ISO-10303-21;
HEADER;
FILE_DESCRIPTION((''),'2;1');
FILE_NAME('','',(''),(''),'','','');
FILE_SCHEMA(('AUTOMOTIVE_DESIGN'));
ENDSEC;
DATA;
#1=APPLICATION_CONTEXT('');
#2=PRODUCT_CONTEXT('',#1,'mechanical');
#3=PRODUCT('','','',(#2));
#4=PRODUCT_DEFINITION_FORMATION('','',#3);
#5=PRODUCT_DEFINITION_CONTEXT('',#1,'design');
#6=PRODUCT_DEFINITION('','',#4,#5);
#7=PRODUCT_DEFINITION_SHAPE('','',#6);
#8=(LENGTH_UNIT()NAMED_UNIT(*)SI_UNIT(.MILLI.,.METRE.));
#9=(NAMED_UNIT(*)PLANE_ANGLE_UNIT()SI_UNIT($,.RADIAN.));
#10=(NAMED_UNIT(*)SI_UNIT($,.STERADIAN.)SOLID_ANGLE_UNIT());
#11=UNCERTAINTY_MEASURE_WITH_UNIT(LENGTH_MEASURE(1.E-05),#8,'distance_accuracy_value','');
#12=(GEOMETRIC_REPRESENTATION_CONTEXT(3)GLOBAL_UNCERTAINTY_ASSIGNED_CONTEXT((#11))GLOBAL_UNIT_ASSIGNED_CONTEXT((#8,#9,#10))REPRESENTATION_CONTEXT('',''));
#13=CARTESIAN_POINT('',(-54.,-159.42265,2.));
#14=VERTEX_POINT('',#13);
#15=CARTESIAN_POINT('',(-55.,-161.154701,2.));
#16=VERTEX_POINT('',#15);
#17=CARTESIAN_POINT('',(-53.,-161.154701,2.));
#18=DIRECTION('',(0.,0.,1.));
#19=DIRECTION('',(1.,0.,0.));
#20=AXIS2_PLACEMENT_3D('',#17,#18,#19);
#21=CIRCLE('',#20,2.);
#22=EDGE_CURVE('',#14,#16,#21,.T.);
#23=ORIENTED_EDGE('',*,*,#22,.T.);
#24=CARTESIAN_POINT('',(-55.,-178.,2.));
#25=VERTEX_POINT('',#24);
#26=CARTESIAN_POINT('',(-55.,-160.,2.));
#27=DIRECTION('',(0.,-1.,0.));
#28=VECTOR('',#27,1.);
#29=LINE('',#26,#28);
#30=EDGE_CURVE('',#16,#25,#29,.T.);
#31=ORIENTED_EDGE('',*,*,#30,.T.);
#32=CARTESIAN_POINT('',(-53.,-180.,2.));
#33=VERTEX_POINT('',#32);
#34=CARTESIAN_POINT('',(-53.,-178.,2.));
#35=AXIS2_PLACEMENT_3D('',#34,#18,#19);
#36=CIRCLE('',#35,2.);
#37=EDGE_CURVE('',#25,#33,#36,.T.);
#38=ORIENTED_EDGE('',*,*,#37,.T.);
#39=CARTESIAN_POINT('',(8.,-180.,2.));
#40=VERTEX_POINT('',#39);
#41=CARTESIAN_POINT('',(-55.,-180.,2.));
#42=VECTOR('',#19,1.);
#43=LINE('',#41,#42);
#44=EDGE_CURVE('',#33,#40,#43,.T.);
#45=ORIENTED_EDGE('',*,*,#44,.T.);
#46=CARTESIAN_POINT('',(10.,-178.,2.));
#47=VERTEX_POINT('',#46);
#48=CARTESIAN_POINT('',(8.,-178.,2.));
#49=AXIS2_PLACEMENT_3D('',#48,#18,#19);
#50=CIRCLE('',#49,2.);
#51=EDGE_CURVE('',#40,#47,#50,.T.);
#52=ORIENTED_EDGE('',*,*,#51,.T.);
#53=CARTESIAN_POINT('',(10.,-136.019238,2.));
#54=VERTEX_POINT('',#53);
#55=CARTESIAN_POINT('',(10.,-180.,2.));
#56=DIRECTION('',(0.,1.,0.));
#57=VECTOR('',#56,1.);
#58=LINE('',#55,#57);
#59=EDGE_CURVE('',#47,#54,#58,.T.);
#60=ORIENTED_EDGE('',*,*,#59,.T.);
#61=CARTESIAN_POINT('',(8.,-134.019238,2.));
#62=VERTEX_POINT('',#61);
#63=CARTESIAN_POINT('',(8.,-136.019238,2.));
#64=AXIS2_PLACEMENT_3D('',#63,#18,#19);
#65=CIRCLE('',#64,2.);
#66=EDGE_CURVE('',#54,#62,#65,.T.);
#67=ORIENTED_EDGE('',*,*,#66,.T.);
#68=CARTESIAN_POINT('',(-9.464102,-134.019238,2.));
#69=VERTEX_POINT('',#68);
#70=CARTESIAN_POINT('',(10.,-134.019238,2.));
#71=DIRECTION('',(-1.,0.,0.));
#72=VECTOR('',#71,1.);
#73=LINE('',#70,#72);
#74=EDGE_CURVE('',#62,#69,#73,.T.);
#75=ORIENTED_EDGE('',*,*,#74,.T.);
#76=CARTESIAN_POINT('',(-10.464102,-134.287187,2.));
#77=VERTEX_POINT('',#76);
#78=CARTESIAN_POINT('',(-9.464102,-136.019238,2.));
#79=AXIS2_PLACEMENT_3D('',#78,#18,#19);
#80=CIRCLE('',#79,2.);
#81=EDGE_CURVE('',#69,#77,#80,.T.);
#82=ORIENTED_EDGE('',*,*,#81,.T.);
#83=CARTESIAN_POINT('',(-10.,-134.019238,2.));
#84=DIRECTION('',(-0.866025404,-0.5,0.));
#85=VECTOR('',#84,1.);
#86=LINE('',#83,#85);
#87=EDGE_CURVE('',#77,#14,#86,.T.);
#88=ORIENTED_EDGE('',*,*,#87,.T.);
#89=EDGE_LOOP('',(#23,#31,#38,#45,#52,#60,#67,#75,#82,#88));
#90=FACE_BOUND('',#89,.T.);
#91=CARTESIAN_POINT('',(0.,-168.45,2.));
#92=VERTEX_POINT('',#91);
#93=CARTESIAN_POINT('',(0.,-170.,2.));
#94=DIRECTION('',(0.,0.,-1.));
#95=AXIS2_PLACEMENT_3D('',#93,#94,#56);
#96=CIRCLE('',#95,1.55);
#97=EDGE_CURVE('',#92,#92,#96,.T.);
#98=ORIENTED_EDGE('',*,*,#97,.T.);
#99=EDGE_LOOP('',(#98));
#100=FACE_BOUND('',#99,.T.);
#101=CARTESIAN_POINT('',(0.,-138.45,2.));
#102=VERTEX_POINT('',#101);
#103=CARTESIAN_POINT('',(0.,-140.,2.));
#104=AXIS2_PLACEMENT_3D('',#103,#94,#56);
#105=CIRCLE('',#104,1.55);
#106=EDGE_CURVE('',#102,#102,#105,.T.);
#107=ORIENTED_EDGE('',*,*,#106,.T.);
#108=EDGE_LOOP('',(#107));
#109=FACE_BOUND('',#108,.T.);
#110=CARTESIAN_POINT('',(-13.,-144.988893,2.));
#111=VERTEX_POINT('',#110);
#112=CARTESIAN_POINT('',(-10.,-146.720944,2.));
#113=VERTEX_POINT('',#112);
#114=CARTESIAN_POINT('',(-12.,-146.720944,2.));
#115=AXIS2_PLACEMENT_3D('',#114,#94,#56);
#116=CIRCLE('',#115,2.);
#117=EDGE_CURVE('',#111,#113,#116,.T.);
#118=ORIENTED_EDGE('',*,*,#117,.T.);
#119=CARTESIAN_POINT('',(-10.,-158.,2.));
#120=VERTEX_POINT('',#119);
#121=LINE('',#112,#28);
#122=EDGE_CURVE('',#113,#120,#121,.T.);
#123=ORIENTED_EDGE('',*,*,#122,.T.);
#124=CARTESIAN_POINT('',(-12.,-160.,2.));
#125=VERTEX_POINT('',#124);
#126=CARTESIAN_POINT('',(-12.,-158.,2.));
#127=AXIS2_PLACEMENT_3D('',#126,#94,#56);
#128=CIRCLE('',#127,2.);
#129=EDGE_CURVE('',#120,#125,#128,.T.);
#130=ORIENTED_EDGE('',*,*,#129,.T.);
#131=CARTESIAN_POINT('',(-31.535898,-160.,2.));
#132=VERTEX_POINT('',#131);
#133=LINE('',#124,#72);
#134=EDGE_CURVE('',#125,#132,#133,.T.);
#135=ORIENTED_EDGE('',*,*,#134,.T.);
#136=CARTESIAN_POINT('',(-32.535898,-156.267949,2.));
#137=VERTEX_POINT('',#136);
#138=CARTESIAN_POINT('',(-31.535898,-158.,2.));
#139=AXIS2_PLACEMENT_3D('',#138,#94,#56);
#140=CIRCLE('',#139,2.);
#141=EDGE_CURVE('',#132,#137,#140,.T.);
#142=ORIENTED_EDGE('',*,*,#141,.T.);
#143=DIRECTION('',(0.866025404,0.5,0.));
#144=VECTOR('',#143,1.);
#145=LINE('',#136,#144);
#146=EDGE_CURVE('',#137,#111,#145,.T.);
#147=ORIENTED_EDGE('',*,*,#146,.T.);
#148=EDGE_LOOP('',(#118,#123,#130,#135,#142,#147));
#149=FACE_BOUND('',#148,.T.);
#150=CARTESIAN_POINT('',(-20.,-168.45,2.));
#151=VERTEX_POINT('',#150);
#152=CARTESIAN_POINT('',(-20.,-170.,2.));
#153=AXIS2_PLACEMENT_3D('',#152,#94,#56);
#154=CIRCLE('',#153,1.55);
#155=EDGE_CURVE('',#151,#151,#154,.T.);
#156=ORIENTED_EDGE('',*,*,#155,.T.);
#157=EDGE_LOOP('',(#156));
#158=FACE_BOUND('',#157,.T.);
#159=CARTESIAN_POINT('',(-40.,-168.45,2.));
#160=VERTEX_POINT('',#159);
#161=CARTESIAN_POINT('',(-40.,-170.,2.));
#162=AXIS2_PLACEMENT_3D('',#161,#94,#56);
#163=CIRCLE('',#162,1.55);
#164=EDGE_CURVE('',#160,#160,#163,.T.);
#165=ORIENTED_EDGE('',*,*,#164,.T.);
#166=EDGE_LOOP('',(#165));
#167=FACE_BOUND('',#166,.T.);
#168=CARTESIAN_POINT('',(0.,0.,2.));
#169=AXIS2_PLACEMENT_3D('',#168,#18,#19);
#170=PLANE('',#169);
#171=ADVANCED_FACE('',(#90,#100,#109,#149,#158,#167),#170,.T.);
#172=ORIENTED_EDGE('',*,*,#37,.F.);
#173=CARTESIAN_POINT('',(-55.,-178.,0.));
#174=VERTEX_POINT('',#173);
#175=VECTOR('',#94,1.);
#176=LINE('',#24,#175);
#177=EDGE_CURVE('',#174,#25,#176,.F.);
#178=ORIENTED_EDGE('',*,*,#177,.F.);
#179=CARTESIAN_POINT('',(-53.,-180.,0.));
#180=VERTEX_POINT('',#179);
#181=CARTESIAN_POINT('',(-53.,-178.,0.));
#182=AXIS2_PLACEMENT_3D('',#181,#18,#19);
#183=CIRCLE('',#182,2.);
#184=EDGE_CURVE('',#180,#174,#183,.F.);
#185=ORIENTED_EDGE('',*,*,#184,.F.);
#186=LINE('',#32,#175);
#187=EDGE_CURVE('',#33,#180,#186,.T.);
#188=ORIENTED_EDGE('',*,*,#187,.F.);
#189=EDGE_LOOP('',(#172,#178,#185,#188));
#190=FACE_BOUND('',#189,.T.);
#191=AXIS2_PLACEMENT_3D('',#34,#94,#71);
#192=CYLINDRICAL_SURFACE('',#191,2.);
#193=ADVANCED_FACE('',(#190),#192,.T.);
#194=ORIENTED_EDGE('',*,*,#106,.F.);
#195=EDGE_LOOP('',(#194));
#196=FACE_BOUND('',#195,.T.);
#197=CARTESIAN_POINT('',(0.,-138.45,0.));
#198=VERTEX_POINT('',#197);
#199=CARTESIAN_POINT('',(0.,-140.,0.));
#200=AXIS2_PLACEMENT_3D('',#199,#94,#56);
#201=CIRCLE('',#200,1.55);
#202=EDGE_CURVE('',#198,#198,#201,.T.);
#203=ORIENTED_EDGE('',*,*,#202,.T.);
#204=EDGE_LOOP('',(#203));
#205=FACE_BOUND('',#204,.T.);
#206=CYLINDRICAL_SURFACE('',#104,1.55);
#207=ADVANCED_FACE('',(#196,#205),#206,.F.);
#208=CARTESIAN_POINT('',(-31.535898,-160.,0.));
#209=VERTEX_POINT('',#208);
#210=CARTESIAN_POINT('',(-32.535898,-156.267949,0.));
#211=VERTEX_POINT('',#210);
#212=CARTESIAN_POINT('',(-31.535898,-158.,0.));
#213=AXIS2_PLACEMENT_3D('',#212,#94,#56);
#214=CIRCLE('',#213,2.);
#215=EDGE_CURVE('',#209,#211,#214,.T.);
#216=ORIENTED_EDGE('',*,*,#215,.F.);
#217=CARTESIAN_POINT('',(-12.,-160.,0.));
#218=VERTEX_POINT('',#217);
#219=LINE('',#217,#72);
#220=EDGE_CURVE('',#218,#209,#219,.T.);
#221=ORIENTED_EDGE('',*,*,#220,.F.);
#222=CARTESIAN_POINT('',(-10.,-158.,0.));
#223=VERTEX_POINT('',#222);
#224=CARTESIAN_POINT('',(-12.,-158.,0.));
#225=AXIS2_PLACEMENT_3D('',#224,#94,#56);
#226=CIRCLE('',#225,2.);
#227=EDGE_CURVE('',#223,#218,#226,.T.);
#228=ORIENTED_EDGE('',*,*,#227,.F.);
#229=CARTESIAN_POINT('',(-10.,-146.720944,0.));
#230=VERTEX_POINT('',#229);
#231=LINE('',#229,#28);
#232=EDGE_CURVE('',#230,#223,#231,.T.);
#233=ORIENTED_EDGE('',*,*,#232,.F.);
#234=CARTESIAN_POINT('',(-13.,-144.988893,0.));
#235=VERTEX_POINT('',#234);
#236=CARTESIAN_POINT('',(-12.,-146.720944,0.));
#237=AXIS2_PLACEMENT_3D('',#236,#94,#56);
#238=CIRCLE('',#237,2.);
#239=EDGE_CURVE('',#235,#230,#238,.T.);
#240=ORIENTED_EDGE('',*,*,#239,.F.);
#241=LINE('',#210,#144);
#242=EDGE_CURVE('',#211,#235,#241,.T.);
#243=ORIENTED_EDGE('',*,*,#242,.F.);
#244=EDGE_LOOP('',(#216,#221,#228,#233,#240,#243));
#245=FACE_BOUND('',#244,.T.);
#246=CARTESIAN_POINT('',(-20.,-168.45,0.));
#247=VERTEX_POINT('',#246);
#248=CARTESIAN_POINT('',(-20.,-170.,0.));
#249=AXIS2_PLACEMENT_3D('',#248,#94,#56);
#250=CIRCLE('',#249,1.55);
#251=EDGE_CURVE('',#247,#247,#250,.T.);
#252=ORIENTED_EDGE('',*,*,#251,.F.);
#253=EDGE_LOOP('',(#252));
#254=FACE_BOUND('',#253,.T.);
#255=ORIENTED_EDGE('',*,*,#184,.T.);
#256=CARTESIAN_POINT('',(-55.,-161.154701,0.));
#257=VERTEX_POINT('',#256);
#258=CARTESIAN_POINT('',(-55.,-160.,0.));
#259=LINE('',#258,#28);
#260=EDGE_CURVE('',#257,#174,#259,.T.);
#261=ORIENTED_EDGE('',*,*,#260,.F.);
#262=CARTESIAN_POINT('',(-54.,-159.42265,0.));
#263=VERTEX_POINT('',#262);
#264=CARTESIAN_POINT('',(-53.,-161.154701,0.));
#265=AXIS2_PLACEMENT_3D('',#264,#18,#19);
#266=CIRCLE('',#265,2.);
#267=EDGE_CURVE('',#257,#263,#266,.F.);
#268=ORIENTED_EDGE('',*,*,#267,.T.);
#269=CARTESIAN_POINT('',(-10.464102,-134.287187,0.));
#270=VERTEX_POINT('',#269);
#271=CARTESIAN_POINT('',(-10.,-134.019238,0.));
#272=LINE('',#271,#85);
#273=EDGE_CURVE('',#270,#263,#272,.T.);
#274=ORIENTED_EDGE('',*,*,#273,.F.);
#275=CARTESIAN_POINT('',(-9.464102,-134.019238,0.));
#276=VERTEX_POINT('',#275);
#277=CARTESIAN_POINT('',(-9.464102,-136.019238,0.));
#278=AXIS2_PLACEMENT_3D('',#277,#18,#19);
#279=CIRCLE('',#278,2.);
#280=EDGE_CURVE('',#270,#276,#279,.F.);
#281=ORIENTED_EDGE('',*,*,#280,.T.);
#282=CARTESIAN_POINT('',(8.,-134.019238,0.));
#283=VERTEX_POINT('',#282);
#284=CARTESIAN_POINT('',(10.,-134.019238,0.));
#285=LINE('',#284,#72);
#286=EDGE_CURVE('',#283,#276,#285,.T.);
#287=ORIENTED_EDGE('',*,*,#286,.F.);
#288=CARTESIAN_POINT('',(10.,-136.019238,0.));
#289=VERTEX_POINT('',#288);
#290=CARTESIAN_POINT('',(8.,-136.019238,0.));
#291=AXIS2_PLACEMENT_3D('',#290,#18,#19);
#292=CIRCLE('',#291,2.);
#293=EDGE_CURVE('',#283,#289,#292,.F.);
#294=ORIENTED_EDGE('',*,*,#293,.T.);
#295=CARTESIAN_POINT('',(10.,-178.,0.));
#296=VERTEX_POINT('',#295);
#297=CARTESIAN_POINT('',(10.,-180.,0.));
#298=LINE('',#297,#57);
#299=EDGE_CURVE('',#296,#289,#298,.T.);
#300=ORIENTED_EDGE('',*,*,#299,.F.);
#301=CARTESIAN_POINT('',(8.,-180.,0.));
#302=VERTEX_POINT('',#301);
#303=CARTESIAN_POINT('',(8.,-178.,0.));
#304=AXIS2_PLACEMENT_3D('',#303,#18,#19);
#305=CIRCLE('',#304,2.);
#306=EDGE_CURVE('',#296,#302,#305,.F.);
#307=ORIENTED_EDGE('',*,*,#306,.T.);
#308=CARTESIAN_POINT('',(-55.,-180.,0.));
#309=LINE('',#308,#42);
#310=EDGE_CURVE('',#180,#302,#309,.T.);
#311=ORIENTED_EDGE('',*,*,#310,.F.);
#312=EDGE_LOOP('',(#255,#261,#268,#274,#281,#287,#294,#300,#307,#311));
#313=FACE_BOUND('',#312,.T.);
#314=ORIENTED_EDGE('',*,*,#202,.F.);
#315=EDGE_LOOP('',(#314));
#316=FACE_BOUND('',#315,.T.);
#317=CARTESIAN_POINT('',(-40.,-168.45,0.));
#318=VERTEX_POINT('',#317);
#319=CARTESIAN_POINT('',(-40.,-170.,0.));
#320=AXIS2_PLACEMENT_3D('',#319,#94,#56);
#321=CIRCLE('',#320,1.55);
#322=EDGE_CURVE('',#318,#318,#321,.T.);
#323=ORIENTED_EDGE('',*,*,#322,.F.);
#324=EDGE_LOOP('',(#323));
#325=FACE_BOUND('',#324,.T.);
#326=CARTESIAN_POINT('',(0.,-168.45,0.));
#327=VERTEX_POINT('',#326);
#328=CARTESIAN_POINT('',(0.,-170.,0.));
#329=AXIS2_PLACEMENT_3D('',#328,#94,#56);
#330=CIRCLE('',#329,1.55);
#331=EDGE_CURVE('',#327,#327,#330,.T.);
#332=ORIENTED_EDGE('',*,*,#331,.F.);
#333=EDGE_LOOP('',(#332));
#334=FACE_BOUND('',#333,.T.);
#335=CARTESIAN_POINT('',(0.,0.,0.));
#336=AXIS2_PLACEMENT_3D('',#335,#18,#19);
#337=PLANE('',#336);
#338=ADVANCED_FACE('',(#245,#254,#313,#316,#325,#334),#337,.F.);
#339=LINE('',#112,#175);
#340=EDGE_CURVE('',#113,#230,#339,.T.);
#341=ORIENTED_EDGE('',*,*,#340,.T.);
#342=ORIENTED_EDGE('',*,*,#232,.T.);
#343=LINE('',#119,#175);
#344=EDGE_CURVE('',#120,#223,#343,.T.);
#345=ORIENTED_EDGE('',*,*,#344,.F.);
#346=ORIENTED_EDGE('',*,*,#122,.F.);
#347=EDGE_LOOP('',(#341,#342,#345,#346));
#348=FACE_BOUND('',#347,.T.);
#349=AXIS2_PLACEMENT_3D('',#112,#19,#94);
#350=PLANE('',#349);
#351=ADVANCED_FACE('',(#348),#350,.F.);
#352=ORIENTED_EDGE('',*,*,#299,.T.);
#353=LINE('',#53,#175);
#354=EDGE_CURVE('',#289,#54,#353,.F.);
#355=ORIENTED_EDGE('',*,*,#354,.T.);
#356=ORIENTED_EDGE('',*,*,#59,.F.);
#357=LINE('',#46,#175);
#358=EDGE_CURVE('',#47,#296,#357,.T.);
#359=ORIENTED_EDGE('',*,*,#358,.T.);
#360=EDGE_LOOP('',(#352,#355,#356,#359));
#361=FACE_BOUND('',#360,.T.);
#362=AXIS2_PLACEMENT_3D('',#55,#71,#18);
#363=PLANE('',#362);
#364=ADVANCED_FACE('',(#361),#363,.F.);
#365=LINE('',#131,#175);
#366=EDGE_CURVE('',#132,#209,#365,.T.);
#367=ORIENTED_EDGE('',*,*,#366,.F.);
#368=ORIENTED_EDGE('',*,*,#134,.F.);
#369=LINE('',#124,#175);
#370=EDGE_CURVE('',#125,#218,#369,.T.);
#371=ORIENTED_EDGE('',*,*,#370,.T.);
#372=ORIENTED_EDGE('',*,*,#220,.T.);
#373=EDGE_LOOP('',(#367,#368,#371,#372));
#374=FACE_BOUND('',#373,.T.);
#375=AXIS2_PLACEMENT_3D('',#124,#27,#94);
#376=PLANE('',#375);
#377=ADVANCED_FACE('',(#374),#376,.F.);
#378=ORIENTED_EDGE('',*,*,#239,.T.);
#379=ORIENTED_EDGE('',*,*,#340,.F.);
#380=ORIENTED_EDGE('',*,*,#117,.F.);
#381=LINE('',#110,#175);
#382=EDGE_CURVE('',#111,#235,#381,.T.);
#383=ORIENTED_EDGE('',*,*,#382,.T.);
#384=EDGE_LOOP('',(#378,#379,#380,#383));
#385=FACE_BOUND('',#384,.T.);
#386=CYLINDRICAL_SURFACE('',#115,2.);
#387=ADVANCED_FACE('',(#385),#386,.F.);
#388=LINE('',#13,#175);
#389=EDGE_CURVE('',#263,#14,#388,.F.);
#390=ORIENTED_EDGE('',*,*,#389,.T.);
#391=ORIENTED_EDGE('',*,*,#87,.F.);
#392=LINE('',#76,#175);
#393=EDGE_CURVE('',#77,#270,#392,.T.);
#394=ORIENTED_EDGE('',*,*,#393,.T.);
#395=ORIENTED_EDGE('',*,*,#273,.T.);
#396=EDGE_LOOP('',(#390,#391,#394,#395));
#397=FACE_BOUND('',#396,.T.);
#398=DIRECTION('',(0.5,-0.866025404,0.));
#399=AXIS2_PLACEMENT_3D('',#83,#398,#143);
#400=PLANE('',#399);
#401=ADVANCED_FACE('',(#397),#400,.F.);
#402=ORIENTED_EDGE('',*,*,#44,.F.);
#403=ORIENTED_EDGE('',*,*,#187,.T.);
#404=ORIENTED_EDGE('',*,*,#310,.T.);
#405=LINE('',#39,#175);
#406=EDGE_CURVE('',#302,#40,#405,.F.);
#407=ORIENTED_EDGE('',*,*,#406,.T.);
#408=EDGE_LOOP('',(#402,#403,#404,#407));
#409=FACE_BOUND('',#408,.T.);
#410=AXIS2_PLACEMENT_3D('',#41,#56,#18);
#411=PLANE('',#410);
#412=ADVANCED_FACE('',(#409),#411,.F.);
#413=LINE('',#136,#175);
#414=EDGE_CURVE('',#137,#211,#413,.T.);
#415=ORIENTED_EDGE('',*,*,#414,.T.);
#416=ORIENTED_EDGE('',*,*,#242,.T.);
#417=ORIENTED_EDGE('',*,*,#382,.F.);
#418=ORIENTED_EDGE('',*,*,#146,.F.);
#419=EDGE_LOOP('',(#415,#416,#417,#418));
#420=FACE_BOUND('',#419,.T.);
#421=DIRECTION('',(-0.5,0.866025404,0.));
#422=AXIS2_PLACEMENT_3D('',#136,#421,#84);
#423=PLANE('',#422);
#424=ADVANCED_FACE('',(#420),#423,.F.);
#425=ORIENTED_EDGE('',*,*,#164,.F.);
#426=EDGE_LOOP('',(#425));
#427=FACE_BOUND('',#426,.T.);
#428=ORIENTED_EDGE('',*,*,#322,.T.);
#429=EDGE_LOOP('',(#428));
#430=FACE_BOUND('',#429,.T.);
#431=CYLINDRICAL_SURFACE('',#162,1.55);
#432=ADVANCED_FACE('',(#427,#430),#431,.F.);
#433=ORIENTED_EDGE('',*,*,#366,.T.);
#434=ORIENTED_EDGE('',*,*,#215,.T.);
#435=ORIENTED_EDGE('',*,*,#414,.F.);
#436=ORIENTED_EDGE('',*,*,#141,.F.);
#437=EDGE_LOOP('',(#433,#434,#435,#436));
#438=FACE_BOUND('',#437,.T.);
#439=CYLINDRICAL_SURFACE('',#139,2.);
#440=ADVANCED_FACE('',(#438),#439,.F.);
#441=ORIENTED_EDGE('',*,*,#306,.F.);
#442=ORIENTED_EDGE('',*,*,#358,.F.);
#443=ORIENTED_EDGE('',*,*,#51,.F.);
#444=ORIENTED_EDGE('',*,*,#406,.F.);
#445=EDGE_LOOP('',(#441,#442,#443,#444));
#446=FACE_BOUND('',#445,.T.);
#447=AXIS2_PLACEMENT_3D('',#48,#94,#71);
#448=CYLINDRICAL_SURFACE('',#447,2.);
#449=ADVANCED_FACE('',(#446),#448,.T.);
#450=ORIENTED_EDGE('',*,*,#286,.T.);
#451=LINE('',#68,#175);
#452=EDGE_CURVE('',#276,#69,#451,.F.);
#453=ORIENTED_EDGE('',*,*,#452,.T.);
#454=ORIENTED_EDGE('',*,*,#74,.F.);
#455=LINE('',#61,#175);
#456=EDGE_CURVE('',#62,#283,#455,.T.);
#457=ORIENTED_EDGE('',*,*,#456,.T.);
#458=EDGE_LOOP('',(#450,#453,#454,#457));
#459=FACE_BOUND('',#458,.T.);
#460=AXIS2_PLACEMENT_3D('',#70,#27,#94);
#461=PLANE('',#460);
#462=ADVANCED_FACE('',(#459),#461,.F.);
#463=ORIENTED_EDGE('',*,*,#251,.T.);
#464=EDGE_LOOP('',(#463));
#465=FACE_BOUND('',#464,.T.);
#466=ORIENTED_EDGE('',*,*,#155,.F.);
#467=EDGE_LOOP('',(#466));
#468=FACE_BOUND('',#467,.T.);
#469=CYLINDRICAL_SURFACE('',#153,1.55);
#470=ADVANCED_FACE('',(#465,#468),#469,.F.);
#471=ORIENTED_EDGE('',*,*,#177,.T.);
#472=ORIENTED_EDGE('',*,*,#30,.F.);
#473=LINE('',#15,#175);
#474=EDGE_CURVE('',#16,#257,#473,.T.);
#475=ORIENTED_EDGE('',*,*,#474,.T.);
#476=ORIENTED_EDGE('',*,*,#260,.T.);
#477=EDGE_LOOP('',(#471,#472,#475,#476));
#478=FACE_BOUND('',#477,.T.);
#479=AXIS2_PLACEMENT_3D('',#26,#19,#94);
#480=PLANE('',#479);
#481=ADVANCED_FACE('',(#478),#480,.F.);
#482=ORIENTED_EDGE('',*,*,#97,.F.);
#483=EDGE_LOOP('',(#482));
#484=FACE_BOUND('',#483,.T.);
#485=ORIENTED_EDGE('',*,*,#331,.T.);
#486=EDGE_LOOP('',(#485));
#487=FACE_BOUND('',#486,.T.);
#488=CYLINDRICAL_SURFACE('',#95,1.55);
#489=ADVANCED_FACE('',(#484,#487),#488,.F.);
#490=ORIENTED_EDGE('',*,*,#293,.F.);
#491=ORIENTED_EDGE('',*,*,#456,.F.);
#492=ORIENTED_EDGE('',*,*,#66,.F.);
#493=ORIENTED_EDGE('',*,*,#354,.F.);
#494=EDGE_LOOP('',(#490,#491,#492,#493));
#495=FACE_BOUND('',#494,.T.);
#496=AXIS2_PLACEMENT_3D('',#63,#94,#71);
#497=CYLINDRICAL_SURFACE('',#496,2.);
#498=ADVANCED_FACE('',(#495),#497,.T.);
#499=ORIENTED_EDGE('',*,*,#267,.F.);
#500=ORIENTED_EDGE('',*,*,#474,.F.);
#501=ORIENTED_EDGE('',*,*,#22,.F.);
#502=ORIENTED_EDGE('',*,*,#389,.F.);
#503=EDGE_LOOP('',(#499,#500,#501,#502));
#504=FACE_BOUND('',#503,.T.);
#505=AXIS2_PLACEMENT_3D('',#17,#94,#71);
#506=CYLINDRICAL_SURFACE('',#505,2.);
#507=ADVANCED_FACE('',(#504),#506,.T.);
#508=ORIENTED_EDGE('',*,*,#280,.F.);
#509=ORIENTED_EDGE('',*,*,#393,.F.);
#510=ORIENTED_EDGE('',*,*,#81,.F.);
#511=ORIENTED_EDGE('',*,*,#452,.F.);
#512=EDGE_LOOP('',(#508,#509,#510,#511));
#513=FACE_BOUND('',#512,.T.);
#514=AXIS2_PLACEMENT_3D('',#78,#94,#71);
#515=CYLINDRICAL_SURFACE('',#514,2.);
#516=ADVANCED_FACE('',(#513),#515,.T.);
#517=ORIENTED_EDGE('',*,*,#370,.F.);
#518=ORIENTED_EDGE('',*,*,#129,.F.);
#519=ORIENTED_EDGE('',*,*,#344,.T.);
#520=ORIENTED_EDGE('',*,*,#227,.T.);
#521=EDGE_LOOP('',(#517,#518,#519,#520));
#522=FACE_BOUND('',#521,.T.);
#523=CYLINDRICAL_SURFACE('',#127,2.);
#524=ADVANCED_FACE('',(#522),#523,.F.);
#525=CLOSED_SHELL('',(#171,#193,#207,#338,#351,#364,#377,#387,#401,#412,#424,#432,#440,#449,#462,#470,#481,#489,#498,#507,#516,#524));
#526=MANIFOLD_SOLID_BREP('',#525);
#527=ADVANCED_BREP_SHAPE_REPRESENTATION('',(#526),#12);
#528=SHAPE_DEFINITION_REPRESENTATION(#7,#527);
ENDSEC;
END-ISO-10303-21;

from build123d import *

# Parameters (mm, degrees)
EXTRUDE_1_DEPTH     = 2
SKETCH_2_R          = 1.55
CUT_EXTRUDE_1_DEPTH = 3
FILLET_1_R          = 2


with BuildPart() as part:
    # 草图1 → 凸台-拉伸1 (new body)
    with BuildSketch(Plane.XY):
        Polygon((-55, -180), (10, -180), (10, -134.019237886), (-10, -134.019237886), (-55, -160), align=None)
    extrude(amount=EXTRUDE_1_DEPTH)

    # 草图2 → 切除-拉伸1 (cut, through all)
    with BuildSketch(Plane(origin=(0, 0, 0), x_dir=(-1, 0, 0), z_dir=(0, 0, -1))):
        with Locations((40, -170)):
            Circle(SKETCH_2_R)
        with Locations((20, -170)):
            Circle(SKETCH_2_R)
        with Locations((0, -170)):
            Circle(SKETCH_2_R)
        with Locations((0, -140)):
            Circle(SKETCH_2_R)
        with BuildLine():
            Line((12, -160), (31.535898385, -160))
            ThreePointArc((31.535898385, -160), (33.467750037, -158.51763809), (32.535898385, -156.267949192))
            Line((32.535898385, -156.267949192), (13, -144.988893001))
            ThreePointArc((13, -144.988893001), (11, -144.988893001), (10, -146.720943809))
            Line((10, -146.720943809), (10, -158))
            ThreePointArc((10, -158), (10.585786438, -159.414213562), (12, -160))
        make_face()
    extrude(amount=-CUT_EXTRUDE_1_DEPTH, mode=Mode.SUBTRACT)

    # 圆角1
    fillet_1_edges = [part.edges().sort_by_distance(p)[0] for p in [
        (-55, -160, 1),
        (-10, -134.019237886, 1),
        (10, -134.019237886, 1),
        (10, -180, 1),
        (-55, -180, 1),
    ]]
    fillet(fillet_1_edges, radius=FILLET_1_R)


solid = part.part
